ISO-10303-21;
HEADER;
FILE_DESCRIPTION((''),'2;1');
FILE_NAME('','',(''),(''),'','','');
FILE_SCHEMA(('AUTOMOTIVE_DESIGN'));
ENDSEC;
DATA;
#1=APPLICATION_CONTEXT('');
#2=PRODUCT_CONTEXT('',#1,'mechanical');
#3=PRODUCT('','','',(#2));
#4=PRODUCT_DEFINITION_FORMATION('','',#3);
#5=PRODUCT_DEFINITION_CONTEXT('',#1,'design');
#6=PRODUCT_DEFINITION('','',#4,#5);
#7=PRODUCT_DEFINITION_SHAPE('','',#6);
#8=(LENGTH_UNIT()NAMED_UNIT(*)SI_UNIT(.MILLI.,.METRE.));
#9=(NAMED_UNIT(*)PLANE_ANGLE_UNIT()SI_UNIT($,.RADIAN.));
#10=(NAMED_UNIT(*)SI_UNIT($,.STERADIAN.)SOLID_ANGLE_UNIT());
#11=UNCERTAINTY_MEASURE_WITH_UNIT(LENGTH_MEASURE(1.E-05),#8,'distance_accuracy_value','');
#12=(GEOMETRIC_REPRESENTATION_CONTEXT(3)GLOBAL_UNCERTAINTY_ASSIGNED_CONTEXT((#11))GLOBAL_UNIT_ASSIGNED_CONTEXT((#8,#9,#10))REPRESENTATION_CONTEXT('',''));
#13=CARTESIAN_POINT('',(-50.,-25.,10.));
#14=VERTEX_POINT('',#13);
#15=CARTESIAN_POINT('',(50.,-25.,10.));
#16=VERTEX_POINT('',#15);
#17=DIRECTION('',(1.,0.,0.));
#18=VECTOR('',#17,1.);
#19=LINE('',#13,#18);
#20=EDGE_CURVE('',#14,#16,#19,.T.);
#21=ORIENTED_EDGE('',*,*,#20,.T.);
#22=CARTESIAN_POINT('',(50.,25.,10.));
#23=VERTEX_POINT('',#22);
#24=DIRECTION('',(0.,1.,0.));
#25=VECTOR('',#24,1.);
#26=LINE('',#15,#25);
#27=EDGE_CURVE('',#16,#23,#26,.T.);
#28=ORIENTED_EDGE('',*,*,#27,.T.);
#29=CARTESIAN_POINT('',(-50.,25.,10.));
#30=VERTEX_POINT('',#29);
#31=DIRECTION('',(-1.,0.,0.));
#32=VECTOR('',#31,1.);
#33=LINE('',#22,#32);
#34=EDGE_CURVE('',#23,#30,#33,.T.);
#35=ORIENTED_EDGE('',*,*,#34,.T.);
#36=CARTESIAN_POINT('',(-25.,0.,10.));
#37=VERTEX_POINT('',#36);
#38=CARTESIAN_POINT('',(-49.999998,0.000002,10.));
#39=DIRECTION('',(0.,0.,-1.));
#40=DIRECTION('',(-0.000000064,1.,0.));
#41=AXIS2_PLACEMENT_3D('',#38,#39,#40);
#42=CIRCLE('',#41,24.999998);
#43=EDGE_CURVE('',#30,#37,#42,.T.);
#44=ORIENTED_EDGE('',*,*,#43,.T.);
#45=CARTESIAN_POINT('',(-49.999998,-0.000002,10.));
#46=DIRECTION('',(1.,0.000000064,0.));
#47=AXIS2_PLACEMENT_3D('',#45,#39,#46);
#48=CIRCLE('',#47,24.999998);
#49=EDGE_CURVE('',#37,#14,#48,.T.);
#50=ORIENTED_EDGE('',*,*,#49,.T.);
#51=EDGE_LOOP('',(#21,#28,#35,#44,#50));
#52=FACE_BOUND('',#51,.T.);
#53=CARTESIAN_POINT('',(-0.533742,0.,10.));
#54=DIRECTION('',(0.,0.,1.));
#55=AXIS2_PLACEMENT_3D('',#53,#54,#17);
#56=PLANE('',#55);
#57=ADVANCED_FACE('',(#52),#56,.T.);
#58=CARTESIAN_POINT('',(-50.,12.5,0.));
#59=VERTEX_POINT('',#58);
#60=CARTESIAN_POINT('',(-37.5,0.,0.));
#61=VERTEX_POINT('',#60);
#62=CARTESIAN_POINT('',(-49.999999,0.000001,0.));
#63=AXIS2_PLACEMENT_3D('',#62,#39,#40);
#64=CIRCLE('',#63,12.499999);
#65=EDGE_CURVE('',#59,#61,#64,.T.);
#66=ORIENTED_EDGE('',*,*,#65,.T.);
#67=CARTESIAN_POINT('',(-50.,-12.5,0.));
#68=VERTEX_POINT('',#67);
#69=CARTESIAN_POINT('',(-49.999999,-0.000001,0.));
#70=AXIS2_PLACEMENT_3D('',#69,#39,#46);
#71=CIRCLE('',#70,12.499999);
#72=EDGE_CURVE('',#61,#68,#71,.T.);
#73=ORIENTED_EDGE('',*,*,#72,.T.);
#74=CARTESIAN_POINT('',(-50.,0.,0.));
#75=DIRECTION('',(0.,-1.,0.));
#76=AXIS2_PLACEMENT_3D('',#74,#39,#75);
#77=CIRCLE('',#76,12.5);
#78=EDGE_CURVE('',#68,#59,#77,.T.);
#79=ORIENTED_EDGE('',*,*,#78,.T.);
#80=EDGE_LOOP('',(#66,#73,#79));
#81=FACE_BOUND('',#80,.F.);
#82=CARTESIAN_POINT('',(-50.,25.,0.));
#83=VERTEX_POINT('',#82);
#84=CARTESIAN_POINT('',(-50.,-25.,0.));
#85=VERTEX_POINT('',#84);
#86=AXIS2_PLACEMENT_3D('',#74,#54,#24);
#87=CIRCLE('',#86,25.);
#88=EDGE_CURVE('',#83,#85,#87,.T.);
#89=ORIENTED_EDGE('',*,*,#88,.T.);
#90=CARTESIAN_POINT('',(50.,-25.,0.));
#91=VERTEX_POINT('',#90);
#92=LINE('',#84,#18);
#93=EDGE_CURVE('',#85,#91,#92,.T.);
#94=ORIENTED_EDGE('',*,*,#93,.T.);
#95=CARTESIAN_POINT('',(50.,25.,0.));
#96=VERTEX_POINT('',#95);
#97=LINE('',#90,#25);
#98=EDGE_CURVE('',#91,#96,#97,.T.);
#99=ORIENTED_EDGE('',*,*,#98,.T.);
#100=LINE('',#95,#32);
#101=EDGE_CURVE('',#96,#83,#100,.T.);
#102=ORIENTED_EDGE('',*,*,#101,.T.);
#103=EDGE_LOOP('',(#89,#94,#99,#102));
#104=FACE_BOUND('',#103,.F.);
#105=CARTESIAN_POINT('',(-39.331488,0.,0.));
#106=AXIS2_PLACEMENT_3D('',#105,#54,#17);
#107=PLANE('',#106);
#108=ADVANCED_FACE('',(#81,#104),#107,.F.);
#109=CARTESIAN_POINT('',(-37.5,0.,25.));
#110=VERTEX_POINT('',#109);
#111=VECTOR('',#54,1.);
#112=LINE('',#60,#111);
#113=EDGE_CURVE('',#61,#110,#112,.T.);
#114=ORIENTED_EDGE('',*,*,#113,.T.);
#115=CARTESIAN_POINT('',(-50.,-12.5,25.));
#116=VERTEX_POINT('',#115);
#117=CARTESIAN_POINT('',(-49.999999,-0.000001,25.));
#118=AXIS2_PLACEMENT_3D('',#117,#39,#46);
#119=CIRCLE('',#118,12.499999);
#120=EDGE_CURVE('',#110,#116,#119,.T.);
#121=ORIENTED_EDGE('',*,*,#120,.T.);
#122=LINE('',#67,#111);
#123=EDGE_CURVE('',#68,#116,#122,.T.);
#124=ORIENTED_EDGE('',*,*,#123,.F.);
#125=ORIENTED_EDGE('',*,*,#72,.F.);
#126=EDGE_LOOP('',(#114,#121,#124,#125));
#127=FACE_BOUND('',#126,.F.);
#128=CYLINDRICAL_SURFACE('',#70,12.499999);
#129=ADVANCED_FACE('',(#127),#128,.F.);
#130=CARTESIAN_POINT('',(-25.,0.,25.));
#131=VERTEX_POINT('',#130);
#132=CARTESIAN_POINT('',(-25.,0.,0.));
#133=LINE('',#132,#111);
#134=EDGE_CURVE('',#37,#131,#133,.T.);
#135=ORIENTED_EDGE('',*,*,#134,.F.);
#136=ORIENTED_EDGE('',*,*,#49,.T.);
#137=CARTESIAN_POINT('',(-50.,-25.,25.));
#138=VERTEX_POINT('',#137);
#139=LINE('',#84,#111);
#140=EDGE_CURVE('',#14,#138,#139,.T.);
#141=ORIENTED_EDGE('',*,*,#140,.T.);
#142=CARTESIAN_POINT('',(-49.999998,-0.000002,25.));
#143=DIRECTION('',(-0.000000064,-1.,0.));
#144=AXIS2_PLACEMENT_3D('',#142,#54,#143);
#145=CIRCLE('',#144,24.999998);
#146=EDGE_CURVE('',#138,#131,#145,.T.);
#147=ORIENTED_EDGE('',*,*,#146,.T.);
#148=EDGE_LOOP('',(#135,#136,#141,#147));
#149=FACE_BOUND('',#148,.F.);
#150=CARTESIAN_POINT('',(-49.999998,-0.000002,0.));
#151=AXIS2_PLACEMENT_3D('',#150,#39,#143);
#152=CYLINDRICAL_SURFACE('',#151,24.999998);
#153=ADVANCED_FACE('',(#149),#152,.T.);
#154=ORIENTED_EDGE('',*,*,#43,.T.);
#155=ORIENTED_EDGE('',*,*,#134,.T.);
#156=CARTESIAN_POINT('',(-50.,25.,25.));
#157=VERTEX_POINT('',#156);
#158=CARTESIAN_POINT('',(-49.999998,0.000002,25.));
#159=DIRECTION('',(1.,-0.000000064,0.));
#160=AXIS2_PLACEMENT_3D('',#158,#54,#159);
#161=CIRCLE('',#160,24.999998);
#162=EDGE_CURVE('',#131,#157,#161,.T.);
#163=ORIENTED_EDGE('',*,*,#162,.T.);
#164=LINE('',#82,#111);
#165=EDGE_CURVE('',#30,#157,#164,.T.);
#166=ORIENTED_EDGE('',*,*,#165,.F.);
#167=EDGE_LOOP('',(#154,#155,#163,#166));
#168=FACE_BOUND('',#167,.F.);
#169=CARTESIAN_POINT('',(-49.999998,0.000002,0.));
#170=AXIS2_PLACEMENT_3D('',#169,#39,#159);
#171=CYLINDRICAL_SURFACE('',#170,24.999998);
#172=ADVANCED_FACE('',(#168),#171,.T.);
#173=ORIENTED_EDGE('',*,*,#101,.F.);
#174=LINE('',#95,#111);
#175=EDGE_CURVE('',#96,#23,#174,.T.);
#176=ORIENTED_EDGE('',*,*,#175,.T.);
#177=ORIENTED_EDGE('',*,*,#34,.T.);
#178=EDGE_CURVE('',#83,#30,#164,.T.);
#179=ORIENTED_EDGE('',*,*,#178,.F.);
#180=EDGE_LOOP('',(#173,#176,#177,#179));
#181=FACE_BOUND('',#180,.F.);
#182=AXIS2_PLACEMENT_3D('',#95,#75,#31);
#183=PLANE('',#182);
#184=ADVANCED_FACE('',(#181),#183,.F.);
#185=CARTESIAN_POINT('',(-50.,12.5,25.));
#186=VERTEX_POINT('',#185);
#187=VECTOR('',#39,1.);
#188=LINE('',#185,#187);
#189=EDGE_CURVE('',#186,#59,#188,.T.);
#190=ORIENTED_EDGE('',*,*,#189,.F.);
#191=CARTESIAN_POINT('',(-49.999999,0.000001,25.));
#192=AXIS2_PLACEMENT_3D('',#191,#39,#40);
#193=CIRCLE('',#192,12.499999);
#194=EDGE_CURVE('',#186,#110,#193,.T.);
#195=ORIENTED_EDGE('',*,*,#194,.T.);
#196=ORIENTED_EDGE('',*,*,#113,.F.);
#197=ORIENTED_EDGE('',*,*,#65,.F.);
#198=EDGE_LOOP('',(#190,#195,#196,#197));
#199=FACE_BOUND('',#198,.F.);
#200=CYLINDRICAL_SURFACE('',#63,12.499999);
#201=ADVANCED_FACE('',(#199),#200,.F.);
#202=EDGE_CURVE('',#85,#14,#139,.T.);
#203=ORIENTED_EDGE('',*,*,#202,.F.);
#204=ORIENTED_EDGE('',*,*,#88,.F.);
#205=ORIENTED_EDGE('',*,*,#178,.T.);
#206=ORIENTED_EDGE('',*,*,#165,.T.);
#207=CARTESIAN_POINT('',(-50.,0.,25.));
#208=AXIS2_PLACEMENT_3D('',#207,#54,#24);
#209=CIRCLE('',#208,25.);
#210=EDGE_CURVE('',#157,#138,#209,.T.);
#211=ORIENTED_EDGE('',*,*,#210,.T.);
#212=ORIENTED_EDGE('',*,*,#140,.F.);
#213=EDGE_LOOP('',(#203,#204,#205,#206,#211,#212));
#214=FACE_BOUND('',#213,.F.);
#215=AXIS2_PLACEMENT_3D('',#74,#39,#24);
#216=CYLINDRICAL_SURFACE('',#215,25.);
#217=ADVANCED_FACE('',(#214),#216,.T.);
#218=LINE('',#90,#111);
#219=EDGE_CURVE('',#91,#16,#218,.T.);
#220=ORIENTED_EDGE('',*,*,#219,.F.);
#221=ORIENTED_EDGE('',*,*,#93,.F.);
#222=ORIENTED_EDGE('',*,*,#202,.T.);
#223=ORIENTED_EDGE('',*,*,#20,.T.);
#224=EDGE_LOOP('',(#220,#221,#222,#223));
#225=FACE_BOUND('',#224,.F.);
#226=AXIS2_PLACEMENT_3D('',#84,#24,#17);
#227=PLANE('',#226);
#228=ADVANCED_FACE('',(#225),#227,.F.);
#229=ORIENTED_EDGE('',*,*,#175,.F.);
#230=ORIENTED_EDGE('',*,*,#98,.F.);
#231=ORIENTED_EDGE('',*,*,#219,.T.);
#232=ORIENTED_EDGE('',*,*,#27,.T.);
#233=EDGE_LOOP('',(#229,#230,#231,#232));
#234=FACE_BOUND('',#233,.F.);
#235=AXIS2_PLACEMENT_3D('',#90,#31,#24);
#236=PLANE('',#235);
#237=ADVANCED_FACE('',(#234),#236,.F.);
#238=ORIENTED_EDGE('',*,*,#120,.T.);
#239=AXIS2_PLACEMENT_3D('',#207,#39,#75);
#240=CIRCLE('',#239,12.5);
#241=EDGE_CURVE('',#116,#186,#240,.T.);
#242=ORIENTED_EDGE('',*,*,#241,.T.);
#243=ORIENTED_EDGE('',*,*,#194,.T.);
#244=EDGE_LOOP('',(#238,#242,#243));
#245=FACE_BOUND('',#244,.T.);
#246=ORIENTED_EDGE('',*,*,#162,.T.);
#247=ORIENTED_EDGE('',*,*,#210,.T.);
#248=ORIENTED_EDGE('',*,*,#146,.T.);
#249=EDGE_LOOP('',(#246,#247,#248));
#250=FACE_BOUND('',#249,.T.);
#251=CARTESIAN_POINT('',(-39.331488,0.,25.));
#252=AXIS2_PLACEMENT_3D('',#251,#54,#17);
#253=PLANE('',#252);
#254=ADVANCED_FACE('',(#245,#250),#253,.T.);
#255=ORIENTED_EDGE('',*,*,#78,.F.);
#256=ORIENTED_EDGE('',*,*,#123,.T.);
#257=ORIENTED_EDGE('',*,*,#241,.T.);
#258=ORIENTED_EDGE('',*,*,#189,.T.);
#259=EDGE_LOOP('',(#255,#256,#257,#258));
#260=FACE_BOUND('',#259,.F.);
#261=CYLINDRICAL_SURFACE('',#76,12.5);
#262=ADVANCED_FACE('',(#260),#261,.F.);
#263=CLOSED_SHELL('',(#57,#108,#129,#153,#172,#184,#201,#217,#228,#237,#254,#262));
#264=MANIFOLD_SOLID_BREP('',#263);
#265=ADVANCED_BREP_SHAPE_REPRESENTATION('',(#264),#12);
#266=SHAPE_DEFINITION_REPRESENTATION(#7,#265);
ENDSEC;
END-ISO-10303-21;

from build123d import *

# Parameters (mm, degrees)
F1_DEPTH = 10
F3_DEPTH = 25


with BuildPart() as f1:
    # F0 (on Top) → F1 (new body)
    with BuildSketch(Plane.XY):
        with BuildLine():
            Line((50, -25), (50, 25))
            Line((50, 25), (-50, 25))
            ThreePointArc((-50, 25), (-32.32233, 17.67767), (-25, 0))
            ThreePointArc((-25, 0), (-32.32233, -17.67767), (-50, -25))
            Line((-50, -25), (50, -25))
        make_face()
        with BuildLine():
            Line((-50, 12.5), (-50, 25))
            ThreePointArc((-50, 25), (-75, 0), (-50, -25))
            Line((-50, -25), (-50, -12.5))
            ThreePointArc((-50, -12.5), (-62.5, 0), (-50, 12.5))
        make_face()
    extrude(amount=F1_DEPTH)

    # F0 (on Top) → F3 (join)
    with BuildSketch(Plane.XY):
        with BuildLine():
            ThreePointArc((-25, 0), (-32.32233, 17.67767), (-50, 25))
            Line((-50, 25), (-50, 12.5))
            ThreePointArc((-50, 12.5), (-41.161165, 8.838835), (-37.5, 0))
            ThreePointArc((-37.5, 0), (-41.161165, -8.838835), (-50, -12.5))
            Line((-50, -12.5), (-50, -25))
            ThreePointArc((-50, -25), (-32.32233, -17.67767), (-25, 0))
        make_face()
        with BuildLine():
            Line((-50, 12.5), (-50, 25))
            ThreePointArc((-50, 25), (-75, 0), (-50, -25))
            Line((-50, -25), (-50, -12.5))
            ThreePointArc((-50, -12.5), (-62.5, 0), (-50, 12.5))
        make_face()
    extrude(amount=F3_DEPTH)


solid = f1.part
